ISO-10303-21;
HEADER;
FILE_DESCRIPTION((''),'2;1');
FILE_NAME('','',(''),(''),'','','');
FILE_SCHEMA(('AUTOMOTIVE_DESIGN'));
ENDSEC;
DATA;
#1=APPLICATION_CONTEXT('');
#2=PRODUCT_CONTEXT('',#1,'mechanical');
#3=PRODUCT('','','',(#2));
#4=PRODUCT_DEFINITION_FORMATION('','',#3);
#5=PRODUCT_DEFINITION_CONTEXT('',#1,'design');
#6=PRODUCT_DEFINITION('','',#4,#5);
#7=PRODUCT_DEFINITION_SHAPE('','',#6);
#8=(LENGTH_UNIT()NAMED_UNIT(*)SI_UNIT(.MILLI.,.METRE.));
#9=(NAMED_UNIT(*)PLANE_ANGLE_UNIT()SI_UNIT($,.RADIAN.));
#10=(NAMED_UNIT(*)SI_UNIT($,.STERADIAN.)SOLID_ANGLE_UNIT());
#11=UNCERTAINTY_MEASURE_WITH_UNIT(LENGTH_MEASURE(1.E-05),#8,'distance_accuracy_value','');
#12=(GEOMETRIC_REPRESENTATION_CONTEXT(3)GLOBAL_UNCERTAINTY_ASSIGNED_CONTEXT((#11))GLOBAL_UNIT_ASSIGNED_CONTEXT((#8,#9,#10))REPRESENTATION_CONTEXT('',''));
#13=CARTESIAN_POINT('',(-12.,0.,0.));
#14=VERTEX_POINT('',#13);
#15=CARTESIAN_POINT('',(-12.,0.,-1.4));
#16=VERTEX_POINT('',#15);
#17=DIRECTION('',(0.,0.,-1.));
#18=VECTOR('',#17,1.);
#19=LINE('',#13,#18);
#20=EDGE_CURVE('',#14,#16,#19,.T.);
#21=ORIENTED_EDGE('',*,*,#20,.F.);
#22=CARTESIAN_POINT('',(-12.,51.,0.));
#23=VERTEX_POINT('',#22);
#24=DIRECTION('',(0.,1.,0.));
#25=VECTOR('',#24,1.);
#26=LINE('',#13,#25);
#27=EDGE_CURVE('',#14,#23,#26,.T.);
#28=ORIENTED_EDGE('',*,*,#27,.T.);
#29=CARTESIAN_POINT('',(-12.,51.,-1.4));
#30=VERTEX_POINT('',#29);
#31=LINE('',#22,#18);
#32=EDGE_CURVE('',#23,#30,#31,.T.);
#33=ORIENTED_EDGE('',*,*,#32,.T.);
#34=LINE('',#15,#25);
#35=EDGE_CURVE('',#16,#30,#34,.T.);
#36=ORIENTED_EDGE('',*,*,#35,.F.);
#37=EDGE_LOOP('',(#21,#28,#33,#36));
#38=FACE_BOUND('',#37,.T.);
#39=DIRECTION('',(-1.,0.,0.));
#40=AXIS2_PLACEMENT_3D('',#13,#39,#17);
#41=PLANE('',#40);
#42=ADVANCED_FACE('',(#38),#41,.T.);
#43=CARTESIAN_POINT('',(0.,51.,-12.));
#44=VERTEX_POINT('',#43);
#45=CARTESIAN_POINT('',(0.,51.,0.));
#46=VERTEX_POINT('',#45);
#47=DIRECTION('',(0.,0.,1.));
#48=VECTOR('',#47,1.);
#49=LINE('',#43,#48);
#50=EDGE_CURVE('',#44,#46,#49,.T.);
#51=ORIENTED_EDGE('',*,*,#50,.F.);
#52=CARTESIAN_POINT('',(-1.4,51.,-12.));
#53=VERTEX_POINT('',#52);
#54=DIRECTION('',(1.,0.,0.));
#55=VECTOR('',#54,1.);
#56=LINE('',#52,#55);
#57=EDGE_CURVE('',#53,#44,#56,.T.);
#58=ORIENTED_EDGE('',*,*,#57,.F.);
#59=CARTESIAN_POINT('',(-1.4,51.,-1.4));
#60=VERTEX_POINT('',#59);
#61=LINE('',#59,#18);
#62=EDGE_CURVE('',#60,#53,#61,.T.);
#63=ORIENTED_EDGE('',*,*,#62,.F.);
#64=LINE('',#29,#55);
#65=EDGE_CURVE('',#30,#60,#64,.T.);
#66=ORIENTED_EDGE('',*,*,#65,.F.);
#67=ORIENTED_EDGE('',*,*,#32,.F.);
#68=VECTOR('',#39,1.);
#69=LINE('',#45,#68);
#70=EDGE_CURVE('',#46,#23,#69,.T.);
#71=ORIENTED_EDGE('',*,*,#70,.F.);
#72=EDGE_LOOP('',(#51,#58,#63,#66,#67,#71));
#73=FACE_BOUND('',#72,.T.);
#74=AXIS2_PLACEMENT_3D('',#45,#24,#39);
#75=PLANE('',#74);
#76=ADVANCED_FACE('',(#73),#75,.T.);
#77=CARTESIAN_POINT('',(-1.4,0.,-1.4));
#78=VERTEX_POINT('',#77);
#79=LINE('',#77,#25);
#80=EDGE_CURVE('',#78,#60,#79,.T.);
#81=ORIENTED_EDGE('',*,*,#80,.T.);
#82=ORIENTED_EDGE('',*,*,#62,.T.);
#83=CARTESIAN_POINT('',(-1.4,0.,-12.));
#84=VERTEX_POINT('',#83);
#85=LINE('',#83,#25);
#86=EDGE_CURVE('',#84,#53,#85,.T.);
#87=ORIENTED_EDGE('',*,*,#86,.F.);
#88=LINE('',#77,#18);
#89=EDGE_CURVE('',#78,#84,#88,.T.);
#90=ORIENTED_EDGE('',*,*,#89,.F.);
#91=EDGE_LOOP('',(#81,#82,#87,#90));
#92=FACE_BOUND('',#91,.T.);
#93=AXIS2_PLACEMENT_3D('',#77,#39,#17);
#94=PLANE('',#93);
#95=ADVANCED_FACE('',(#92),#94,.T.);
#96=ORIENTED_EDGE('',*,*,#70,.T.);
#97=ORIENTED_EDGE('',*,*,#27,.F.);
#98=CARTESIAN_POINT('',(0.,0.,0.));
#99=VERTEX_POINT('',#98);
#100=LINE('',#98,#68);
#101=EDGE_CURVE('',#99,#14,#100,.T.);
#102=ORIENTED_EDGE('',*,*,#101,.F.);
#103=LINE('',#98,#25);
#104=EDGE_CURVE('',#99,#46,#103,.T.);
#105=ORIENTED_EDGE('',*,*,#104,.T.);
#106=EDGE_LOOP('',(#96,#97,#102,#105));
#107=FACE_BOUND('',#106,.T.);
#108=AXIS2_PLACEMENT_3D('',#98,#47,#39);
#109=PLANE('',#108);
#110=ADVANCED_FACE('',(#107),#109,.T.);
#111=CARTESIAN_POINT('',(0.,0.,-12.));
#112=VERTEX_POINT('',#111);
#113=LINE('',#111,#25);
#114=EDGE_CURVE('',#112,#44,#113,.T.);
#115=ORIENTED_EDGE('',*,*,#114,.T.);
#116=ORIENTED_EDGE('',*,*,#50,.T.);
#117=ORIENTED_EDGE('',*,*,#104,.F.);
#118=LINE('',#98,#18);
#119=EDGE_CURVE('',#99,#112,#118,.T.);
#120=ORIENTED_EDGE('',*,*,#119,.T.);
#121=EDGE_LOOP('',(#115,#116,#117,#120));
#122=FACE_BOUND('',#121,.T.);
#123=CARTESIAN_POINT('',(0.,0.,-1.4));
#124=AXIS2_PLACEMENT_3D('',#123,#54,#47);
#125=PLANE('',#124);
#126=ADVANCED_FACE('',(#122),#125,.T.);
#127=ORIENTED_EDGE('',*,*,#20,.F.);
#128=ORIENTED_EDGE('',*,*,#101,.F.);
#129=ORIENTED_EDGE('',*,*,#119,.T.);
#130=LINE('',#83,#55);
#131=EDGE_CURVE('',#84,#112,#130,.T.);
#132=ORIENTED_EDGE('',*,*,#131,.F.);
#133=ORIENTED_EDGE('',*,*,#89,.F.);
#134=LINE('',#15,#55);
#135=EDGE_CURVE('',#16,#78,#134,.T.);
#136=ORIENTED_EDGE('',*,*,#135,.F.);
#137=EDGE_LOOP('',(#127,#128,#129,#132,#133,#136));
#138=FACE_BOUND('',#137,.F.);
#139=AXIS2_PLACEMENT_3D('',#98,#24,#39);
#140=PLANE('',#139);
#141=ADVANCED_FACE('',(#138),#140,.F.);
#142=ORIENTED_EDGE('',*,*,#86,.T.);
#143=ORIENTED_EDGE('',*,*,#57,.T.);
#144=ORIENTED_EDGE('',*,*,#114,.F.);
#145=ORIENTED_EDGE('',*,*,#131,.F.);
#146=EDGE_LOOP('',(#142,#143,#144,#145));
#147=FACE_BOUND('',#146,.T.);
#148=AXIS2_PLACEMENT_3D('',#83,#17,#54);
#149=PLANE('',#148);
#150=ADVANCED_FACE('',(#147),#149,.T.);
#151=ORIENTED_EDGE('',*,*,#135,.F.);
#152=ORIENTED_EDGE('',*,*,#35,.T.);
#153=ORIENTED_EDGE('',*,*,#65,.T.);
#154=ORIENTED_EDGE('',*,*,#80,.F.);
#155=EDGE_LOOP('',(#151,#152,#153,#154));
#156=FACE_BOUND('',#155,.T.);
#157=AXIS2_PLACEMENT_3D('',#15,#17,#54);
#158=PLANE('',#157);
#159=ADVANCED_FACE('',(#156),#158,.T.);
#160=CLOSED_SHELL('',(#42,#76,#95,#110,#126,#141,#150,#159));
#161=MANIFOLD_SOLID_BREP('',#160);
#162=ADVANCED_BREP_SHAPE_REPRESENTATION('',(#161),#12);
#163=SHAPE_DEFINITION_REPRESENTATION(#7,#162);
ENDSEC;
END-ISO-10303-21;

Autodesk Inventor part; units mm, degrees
ref_plane "YZ Plane" through (0, 0, 0) normal (1, 0, 0) x (0, 1, 0)
ref_plane "XZ Plane" through (0, 0, 0) normal (0, 1, 0) x (-1, 0, 0)
ref_plane "XY Plane" through (0, 0, 0) normal (0, 0, 1) x (1, 0, 0)
sketch "Sketch1" plane through (0, 0, 0) normal (0, 1, 0) x (-1, 0, 0)
  line L0 (0, 0) -> (12, 0)
  line L1 (12, 0) -> (12, -1.4)
  line L2 (12, -1.4) -> (0, -1.4)
  line L3 (0, -1.4) -> (0, 0)
  line L4 (0, -1.4) -> (1.4, -1.4)
  line L5 (1.4, -1.4) -> (1.4, -12)
  line L6 (1.4, -12) -> (0, -12)
  line L7 (0, -12) -> (0, -1.4)
  dimension "d0" = 12
  dimension "d1" = 1.4
  dimension "d2" = 1.4
  dimension "d3" = 10.6
extrude "Extrusion1" add sketch "Sketch1" along normal blind 51
properties part number "corners"
